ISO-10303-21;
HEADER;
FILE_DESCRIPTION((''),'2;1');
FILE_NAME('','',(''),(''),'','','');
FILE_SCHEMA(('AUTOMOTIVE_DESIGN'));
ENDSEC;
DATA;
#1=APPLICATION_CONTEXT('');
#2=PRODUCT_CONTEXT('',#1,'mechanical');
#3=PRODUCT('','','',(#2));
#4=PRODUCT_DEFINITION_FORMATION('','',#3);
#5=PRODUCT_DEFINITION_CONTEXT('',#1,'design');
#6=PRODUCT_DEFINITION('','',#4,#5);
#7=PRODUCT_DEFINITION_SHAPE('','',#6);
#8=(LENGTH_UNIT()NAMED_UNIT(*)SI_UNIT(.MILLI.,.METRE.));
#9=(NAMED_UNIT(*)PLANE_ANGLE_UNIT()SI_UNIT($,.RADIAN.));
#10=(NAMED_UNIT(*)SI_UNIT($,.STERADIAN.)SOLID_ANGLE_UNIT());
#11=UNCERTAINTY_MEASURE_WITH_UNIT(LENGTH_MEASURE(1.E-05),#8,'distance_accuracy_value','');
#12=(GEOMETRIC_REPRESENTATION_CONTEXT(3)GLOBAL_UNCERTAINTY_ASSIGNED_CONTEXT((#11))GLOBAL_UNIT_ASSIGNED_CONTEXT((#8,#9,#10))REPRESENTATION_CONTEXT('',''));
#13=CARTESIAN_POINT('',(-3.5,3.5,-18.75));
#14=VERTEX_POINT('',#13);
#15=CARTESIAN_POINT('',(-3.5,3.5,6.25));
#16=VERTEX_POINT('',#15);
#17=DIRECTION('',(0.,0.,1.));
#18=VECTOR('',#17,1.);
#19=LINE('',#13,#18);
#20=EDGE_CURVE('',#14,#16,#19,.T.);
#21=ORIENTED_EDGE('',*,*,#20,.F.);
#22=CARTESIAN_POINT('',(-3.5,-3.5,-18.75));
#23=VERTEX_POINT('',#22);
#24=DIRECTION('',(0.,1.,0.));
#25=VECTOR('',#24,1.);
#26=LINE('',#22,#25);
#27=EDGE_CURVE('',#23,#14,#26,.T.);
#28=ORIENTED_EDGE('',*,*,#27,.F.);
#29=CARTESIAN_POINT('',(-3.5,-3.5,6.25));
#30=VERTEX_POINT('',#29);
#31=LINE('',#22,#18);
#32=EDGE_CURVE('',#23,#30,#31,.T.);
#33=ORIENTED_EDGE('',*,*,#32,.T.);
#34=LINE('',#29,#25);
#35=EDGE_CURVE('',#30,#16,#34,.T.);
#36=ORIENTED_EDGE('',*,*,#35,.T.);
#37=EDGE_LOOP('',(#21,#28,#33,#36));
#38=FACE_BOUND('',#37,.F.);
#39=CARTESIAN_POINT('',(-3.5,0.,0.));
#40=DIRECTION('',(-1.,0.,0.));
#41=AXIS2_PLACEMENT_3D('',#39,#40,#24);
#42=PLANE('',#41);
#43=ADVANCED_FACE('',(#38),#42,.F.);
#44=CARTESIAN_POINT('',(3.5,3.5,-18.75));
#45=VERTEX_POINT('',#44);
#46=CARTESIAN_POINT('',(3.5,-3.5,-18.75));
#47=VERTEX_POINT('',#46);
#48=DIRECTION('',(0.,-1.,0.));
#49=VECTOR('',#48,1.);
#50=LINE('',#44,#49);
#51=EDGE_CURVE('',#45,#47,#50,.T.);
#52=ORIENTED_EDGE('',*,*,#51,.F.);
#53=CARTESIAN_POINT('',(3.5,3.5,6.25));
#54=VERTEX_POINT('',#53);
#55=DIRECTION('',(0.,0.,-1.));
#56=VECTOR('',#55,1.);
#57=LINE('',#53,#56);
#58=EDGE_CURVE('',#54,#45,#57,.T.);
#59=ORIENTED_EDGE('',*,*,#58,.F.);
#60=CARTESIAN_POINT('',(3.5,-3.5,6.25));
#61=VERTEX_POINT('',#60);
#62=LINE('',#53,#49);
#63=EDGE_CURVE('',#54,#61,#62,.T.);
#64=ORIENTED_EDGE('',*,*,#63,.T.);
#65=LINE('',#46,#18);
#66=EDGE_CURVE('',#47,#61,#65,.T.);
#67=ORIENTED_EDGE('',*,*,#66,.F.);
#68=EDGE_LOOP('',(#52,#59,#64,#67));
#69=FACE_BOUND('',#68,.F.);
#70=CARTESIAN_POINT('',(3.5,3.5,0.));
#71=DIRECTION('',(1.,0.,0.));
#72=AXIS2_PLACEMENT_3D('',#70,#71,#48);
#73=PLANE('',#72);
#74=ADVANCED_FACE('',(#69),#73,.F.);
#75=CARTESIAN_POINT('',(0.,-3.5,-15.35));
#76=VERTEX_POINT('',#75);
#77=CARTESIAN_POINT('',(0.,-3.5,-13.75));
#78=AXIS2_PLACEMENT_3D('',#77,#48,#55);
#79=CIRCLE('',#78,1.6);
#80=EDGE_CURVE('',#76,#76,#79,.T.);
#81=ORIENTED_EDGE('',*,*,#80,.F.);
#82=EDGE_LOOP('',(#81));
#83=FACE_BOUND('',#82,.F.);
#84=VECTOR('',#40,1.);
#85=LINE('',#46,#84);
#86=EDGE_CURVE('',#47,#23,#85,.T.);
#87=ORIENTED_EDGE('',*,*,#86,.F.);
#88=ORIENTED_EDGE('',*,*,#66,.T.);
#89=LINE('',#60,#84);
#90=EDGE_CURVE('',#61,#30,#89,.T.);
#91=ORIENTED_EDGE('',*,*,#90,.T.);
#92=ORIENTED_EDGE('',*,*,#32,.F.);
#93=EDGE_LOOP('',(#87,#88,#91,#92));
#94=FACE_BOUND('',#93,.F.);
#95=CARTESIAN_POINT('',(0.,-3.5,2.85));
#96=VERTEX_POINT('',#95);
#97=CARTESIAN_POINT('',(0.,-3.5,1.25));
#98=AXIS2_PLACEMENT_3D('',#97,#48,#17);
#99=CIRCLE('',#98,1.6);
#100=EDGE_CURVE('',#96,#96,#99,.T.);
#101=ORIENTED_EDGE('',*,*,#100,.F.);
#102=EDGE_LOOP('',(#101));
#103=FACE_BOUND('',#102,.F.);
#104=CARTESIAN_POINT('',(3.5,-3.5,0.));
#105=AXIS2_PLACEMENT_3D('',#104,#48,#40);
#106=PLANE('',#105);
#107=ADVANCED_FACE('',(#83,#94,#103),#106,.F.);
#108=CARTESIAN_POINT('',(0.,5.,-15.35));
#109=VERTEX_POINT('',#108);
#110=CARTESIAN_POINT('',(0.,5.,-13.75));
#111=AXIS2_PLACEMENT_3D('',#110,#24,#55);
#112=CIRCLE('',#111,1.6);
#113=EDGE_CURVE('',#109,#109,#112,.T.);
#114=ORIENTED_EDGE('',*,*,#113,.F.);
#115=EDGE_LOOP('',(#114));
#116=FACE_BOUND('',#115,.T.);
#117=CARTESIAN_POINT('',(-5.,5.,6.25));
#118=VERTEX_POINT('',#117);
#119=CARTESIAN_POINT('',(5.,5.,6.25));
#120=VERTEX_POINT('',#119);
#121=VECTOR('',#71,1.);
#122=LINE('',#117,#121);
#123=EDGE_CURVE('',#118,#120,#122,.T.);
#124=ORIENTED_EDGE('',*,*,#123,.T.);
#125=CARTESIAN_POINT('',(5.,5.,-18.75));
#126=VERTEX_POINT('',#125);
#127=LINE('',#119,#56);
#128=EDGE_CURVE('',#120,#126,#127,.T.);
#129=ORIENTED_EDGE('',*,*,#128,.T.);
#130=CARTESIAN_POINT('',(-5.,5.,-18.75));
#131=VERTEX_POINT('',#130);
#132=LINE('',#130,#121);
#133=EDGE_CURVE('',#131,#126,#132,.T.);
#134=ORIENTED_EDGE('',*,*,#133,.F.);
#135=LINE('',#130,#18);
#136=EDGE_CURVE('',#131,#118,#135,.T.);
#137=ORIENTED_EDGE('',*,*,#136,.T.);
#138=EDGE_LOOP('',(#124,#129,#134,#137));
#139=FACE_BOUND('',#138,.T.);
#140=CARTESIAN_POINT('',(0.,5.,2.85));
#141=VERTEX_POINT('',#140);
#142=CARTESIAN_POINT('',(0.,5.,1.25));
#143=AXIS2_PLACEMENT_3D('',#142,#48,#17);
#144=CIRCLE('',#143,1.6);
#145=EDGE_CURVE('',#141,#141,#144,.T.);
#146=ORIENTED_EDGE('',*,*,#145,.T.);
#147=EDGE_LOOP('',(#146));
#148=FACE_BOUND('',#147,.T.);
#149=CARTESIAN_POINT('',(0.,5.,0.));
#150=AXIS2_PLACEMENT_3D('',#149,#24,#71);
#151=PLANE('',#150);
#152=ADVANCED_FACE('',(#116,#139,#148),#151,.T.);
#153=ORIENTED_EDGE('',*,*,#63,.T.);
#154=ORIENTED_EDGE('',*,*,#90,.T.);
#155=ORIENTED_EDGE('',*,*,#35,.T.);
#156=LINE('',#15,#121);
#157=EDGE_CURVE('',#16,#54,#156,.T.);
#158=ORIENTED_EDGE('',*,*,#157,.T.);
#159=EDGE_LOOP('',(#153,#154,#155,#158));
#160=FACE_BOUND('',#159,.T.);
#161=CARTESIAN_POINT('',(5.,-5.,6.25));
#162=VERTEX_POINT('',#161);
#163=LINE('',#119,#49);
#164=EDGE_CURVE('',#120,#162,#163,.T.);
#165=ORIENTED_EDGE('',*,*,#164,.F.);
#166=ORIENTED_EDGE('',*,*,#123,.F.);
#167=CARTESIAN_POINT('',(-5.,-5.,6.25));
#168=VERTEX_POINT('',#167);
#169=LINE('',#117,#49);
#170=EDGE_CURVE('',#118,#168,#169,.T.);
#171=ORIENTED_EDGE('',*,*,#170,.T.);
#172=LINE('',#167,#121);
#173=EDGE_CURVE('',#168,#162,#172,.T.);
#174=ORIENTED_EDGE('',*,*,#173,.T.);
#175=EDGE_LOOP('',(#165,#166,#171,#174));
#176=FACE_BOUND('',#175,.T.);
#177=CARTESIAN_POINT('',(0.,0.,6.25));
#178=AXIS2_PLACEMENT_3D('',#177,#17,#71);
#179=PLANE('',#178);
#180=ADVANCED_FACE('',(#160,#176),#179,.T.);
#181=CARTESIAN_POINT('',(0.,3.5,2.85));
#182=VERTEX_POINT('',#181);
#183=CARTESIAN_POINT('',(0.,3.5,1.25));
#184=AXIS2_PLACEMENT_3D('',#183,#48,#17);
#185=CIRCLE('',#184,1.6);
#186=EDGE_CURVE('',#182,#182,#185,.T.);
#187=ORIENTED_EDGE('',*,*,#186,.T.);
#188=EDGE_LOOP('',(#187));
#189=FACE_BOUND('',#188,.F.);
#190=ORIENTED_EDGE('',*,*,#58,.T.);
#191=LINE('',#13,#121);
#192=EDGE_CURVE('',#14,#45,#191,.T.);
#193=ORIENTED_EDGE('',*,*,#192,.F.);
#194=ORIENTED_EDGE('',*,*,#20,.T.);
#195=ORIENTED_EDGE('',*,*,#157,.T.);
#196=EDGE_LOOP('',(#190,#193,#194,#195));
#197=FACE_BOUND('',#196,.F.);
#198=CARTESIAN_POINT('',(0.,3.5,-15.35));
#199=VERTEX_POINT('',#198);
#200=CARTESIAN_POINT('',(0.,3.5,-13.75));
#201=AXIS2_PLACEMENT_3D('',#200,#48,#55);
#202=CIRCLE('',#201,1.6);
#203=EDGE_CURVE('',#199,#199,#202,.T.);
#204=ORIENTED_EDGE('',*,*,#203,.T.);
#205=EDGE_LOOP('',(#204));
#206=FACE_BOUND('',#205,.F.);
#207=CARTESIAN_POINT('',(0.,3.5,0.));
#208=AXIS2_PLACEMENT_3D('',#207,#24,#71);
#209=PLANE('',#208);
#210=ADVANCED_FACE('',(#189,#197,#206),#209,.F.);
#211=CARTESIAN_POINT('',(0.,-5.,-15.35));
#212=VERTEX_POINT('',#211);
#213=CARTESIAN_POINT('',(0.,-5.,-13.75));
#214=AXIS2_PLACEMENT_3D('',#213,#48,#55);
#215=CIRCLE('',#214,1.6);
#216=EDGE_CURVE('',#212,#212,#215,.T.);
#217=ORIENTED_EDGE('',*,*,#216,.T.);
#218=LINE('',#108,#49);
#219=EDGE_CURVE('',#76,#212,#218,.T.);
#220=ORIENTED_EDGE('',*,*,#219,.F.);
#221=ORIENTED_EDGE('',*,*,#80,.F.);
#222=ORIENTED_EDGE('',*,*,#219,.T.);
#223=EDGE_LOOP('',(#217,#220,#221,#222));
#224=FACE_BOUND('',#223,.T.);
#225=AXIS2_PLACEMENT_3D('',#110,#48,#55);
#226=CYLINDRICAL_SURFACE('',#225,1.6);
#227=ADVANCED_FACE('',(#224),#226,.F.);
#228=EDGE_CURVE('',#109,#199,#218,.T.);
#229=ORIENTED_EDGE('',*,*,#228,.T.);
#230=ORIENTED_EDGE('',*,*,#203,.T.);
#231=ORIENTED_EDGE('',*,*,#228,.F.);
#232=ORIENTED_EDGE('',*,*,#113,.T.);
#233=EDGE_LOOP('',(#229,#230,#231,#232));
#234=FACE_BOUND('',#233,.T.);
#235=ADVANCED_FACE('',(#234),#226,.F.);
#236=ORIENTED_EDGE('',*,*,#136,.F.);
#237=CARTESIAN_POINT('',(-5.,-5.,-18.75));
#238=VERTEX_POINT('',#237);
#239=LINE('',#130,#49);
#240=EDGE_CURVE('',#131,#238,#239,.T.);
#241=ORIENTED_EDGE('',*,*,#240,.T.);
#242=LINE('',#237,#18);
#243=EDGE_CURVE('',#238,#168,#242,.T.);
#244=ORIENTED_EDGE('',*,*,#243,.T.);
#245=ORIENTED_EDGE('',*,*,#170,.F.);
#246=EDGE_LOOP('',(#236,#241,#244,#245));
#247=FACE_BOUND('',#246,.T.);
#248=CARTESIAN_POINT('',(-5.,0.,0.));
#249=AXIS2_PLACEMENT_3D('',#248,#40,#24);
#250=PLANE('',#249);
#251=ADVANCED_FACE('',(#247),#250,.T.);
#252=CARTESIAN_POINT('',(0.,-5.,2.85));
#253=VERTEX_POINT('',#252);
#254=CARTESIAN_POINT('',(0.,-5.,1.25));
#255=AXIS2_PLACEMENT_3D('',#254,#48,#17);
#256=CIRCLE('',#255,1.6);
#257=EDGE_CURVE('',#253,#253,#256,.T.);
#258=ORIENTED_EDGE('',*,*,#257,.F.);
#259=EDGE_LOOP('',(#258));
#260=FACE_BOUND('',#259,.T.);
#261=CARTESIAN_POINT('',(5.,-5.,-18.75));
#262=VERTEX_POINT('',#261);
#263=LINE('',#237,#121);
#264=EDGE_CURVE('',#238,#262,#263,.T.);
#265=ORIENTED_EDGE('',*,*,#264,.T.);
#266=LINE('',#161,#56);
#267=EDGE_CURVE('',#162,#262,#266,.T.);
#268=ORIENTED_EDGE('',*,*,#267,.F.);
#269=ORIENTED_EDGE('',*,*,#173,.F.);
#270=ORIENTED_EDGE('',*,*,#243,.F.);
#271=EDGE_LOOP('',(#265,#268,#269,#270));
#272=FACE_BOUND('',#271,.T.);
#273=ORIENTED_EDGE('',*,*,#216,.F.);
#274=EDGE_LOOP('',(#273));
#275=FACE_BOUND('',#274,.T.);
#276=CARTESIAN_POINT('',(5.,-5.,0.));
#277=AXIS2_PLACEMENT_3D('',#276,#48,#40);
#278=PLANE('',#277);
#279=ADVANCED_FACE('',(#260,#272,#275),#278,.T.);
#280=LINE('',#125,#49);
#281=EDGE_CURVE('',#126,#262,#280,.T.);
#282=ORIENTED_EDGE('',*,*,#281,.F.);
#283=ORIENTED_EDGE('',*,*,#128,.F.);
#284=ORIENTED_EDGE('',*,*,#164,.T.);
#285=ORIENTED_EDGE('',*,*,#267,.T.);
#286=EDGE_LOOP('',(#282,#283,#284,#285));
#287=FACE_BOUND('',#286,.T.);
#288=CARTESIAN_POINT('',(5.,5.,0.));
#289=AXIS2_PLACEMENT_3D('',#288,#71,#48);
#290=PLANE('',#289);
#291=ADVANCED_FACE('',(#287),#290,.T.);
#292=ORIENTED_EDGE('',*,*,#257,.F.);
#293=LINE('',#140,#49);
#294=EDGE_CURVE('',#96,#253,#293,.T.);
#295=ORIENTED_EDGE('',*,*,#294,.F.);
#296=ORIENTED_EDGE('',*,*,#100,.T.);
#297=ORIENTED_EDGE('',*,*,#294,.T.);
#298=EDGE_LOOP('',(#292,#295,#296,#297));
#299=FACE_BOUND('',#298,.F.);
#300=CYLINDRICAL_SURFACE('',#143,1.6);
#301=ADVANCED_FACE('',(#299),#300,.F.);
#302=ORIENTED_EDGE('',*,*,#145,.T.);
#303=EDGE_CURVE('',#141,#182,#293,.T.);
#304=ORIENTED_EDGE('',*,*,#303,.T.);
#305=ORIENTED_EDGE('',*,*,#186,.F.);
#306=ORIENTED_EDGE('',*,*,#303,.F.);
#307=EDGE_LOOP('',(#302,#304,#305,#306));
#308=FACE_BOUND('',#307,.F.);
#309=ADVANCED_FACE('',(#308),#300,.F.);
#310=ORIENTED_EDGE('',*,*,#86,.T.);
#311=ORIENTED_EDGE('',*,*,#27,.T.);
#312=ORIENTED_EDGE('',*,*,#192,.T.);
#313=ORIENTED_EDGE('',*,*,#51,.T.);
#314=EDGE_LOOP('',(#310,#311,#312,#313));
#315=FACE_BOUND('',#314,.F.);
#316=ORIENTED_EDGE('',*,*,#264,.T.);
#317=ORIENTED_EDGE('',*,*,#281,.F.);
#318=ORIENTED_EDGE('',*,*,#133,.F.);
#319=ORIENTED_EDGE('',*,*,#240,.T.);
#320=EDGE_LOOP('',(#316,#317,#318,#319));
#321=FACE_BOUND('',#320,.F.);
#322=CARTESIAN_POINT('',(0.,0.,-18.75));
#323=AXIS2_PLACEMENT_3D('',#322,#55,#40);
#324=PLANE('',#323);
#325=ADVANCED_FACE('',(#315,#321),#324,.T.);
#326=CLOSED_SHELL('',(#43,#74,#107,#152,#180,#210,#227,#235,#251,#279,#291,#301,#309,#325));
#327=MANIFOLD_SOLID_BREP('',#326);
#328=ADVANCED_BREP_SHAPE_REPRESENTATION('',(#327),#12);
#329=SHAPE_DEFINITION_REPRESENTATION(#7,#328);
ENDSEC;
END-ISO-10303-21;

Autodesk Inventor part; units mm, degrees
ref_plane "YZ Plane" through (0, 0, 0) normal (1, 0, 0) x (0, 1, 0)
ref_plane "XZ Plane" through (0, 0, 0) normal (0, 1, 0) x (-1, 0, 0)
ref_plane "XY Plane" through (0, 0, 0) normal (0, 0, 1) x (1, 0, 0)
sketch "Náčrt1" plane through (0, 0, 0) normal (0, 0, 1) x (1, 0, 0)
  line L0 (0, 7) -> (0, -7) projected
  line L1 (-7, 0) -> (7, 0) projected
  line L2 (-3.5, 3.5) -> (3.5, 3.5)
  line L3 (3.5, 3.5) -> (3.5, -3.5)
  line L4 (3.5, -3.5) -> (-3.5, -3.5)
  line L5 (-3.5, -3.5) -> (-3.5, 3.5)
  line L6 (-5, 5) -> (5, 5)
  line L7 (5, 5) -> (5, -5)
  line L8 (5, -5) -> (-5, -5)
  line L9 (-5, -5) -> (-5, 5)
  point P0 (0, 0)
  dimension "d1" = 10
  dimension "d2" = 10
  dimension "d3" = 1.5
  dimension "d4" = 1.5
  dimension "d5" = 1.5
  dimension "d6" = 1.5
extrude "Vysunutí1" add sketch "Náčrt1" along normal mid plane 12.5 contours L6 L7 L1 L3 L2 L0 | L0 L2 L5 L1 L9 L6 | L1 L5 L4 L0 L8 L9 | L7 L8 L0 L4 L3 L1
sketch "Náčrt2" plane through (-5, 5, 6.25) normal (0, 1, 0) x (1, 0, 0)
  line L0 (12, 6.25) -> (-2, 6.25) projected
  line L1 (5, 15) -> (5, -2.5) projected
  line L2 (10, 0) -> (0, 0) projected
  line L3 (0, 12.5) -> (0, 0) projected
  point P0 (5, 6.25)
  point P1 (5, 5)
  dimension "d10" = 5
  dimension "d11" = 5
hole "Díra1" at (0, 5, 1.25) direction (0, -1, 0) diameter 3.2 end through all
mirror "Zrcadlit1" about plane through (0, 0, -6.25) normal (0, 0, -1) of "Vysunutí1", "Díra1"
properties part number "bearing_standoff" material "Hliník 6061"
